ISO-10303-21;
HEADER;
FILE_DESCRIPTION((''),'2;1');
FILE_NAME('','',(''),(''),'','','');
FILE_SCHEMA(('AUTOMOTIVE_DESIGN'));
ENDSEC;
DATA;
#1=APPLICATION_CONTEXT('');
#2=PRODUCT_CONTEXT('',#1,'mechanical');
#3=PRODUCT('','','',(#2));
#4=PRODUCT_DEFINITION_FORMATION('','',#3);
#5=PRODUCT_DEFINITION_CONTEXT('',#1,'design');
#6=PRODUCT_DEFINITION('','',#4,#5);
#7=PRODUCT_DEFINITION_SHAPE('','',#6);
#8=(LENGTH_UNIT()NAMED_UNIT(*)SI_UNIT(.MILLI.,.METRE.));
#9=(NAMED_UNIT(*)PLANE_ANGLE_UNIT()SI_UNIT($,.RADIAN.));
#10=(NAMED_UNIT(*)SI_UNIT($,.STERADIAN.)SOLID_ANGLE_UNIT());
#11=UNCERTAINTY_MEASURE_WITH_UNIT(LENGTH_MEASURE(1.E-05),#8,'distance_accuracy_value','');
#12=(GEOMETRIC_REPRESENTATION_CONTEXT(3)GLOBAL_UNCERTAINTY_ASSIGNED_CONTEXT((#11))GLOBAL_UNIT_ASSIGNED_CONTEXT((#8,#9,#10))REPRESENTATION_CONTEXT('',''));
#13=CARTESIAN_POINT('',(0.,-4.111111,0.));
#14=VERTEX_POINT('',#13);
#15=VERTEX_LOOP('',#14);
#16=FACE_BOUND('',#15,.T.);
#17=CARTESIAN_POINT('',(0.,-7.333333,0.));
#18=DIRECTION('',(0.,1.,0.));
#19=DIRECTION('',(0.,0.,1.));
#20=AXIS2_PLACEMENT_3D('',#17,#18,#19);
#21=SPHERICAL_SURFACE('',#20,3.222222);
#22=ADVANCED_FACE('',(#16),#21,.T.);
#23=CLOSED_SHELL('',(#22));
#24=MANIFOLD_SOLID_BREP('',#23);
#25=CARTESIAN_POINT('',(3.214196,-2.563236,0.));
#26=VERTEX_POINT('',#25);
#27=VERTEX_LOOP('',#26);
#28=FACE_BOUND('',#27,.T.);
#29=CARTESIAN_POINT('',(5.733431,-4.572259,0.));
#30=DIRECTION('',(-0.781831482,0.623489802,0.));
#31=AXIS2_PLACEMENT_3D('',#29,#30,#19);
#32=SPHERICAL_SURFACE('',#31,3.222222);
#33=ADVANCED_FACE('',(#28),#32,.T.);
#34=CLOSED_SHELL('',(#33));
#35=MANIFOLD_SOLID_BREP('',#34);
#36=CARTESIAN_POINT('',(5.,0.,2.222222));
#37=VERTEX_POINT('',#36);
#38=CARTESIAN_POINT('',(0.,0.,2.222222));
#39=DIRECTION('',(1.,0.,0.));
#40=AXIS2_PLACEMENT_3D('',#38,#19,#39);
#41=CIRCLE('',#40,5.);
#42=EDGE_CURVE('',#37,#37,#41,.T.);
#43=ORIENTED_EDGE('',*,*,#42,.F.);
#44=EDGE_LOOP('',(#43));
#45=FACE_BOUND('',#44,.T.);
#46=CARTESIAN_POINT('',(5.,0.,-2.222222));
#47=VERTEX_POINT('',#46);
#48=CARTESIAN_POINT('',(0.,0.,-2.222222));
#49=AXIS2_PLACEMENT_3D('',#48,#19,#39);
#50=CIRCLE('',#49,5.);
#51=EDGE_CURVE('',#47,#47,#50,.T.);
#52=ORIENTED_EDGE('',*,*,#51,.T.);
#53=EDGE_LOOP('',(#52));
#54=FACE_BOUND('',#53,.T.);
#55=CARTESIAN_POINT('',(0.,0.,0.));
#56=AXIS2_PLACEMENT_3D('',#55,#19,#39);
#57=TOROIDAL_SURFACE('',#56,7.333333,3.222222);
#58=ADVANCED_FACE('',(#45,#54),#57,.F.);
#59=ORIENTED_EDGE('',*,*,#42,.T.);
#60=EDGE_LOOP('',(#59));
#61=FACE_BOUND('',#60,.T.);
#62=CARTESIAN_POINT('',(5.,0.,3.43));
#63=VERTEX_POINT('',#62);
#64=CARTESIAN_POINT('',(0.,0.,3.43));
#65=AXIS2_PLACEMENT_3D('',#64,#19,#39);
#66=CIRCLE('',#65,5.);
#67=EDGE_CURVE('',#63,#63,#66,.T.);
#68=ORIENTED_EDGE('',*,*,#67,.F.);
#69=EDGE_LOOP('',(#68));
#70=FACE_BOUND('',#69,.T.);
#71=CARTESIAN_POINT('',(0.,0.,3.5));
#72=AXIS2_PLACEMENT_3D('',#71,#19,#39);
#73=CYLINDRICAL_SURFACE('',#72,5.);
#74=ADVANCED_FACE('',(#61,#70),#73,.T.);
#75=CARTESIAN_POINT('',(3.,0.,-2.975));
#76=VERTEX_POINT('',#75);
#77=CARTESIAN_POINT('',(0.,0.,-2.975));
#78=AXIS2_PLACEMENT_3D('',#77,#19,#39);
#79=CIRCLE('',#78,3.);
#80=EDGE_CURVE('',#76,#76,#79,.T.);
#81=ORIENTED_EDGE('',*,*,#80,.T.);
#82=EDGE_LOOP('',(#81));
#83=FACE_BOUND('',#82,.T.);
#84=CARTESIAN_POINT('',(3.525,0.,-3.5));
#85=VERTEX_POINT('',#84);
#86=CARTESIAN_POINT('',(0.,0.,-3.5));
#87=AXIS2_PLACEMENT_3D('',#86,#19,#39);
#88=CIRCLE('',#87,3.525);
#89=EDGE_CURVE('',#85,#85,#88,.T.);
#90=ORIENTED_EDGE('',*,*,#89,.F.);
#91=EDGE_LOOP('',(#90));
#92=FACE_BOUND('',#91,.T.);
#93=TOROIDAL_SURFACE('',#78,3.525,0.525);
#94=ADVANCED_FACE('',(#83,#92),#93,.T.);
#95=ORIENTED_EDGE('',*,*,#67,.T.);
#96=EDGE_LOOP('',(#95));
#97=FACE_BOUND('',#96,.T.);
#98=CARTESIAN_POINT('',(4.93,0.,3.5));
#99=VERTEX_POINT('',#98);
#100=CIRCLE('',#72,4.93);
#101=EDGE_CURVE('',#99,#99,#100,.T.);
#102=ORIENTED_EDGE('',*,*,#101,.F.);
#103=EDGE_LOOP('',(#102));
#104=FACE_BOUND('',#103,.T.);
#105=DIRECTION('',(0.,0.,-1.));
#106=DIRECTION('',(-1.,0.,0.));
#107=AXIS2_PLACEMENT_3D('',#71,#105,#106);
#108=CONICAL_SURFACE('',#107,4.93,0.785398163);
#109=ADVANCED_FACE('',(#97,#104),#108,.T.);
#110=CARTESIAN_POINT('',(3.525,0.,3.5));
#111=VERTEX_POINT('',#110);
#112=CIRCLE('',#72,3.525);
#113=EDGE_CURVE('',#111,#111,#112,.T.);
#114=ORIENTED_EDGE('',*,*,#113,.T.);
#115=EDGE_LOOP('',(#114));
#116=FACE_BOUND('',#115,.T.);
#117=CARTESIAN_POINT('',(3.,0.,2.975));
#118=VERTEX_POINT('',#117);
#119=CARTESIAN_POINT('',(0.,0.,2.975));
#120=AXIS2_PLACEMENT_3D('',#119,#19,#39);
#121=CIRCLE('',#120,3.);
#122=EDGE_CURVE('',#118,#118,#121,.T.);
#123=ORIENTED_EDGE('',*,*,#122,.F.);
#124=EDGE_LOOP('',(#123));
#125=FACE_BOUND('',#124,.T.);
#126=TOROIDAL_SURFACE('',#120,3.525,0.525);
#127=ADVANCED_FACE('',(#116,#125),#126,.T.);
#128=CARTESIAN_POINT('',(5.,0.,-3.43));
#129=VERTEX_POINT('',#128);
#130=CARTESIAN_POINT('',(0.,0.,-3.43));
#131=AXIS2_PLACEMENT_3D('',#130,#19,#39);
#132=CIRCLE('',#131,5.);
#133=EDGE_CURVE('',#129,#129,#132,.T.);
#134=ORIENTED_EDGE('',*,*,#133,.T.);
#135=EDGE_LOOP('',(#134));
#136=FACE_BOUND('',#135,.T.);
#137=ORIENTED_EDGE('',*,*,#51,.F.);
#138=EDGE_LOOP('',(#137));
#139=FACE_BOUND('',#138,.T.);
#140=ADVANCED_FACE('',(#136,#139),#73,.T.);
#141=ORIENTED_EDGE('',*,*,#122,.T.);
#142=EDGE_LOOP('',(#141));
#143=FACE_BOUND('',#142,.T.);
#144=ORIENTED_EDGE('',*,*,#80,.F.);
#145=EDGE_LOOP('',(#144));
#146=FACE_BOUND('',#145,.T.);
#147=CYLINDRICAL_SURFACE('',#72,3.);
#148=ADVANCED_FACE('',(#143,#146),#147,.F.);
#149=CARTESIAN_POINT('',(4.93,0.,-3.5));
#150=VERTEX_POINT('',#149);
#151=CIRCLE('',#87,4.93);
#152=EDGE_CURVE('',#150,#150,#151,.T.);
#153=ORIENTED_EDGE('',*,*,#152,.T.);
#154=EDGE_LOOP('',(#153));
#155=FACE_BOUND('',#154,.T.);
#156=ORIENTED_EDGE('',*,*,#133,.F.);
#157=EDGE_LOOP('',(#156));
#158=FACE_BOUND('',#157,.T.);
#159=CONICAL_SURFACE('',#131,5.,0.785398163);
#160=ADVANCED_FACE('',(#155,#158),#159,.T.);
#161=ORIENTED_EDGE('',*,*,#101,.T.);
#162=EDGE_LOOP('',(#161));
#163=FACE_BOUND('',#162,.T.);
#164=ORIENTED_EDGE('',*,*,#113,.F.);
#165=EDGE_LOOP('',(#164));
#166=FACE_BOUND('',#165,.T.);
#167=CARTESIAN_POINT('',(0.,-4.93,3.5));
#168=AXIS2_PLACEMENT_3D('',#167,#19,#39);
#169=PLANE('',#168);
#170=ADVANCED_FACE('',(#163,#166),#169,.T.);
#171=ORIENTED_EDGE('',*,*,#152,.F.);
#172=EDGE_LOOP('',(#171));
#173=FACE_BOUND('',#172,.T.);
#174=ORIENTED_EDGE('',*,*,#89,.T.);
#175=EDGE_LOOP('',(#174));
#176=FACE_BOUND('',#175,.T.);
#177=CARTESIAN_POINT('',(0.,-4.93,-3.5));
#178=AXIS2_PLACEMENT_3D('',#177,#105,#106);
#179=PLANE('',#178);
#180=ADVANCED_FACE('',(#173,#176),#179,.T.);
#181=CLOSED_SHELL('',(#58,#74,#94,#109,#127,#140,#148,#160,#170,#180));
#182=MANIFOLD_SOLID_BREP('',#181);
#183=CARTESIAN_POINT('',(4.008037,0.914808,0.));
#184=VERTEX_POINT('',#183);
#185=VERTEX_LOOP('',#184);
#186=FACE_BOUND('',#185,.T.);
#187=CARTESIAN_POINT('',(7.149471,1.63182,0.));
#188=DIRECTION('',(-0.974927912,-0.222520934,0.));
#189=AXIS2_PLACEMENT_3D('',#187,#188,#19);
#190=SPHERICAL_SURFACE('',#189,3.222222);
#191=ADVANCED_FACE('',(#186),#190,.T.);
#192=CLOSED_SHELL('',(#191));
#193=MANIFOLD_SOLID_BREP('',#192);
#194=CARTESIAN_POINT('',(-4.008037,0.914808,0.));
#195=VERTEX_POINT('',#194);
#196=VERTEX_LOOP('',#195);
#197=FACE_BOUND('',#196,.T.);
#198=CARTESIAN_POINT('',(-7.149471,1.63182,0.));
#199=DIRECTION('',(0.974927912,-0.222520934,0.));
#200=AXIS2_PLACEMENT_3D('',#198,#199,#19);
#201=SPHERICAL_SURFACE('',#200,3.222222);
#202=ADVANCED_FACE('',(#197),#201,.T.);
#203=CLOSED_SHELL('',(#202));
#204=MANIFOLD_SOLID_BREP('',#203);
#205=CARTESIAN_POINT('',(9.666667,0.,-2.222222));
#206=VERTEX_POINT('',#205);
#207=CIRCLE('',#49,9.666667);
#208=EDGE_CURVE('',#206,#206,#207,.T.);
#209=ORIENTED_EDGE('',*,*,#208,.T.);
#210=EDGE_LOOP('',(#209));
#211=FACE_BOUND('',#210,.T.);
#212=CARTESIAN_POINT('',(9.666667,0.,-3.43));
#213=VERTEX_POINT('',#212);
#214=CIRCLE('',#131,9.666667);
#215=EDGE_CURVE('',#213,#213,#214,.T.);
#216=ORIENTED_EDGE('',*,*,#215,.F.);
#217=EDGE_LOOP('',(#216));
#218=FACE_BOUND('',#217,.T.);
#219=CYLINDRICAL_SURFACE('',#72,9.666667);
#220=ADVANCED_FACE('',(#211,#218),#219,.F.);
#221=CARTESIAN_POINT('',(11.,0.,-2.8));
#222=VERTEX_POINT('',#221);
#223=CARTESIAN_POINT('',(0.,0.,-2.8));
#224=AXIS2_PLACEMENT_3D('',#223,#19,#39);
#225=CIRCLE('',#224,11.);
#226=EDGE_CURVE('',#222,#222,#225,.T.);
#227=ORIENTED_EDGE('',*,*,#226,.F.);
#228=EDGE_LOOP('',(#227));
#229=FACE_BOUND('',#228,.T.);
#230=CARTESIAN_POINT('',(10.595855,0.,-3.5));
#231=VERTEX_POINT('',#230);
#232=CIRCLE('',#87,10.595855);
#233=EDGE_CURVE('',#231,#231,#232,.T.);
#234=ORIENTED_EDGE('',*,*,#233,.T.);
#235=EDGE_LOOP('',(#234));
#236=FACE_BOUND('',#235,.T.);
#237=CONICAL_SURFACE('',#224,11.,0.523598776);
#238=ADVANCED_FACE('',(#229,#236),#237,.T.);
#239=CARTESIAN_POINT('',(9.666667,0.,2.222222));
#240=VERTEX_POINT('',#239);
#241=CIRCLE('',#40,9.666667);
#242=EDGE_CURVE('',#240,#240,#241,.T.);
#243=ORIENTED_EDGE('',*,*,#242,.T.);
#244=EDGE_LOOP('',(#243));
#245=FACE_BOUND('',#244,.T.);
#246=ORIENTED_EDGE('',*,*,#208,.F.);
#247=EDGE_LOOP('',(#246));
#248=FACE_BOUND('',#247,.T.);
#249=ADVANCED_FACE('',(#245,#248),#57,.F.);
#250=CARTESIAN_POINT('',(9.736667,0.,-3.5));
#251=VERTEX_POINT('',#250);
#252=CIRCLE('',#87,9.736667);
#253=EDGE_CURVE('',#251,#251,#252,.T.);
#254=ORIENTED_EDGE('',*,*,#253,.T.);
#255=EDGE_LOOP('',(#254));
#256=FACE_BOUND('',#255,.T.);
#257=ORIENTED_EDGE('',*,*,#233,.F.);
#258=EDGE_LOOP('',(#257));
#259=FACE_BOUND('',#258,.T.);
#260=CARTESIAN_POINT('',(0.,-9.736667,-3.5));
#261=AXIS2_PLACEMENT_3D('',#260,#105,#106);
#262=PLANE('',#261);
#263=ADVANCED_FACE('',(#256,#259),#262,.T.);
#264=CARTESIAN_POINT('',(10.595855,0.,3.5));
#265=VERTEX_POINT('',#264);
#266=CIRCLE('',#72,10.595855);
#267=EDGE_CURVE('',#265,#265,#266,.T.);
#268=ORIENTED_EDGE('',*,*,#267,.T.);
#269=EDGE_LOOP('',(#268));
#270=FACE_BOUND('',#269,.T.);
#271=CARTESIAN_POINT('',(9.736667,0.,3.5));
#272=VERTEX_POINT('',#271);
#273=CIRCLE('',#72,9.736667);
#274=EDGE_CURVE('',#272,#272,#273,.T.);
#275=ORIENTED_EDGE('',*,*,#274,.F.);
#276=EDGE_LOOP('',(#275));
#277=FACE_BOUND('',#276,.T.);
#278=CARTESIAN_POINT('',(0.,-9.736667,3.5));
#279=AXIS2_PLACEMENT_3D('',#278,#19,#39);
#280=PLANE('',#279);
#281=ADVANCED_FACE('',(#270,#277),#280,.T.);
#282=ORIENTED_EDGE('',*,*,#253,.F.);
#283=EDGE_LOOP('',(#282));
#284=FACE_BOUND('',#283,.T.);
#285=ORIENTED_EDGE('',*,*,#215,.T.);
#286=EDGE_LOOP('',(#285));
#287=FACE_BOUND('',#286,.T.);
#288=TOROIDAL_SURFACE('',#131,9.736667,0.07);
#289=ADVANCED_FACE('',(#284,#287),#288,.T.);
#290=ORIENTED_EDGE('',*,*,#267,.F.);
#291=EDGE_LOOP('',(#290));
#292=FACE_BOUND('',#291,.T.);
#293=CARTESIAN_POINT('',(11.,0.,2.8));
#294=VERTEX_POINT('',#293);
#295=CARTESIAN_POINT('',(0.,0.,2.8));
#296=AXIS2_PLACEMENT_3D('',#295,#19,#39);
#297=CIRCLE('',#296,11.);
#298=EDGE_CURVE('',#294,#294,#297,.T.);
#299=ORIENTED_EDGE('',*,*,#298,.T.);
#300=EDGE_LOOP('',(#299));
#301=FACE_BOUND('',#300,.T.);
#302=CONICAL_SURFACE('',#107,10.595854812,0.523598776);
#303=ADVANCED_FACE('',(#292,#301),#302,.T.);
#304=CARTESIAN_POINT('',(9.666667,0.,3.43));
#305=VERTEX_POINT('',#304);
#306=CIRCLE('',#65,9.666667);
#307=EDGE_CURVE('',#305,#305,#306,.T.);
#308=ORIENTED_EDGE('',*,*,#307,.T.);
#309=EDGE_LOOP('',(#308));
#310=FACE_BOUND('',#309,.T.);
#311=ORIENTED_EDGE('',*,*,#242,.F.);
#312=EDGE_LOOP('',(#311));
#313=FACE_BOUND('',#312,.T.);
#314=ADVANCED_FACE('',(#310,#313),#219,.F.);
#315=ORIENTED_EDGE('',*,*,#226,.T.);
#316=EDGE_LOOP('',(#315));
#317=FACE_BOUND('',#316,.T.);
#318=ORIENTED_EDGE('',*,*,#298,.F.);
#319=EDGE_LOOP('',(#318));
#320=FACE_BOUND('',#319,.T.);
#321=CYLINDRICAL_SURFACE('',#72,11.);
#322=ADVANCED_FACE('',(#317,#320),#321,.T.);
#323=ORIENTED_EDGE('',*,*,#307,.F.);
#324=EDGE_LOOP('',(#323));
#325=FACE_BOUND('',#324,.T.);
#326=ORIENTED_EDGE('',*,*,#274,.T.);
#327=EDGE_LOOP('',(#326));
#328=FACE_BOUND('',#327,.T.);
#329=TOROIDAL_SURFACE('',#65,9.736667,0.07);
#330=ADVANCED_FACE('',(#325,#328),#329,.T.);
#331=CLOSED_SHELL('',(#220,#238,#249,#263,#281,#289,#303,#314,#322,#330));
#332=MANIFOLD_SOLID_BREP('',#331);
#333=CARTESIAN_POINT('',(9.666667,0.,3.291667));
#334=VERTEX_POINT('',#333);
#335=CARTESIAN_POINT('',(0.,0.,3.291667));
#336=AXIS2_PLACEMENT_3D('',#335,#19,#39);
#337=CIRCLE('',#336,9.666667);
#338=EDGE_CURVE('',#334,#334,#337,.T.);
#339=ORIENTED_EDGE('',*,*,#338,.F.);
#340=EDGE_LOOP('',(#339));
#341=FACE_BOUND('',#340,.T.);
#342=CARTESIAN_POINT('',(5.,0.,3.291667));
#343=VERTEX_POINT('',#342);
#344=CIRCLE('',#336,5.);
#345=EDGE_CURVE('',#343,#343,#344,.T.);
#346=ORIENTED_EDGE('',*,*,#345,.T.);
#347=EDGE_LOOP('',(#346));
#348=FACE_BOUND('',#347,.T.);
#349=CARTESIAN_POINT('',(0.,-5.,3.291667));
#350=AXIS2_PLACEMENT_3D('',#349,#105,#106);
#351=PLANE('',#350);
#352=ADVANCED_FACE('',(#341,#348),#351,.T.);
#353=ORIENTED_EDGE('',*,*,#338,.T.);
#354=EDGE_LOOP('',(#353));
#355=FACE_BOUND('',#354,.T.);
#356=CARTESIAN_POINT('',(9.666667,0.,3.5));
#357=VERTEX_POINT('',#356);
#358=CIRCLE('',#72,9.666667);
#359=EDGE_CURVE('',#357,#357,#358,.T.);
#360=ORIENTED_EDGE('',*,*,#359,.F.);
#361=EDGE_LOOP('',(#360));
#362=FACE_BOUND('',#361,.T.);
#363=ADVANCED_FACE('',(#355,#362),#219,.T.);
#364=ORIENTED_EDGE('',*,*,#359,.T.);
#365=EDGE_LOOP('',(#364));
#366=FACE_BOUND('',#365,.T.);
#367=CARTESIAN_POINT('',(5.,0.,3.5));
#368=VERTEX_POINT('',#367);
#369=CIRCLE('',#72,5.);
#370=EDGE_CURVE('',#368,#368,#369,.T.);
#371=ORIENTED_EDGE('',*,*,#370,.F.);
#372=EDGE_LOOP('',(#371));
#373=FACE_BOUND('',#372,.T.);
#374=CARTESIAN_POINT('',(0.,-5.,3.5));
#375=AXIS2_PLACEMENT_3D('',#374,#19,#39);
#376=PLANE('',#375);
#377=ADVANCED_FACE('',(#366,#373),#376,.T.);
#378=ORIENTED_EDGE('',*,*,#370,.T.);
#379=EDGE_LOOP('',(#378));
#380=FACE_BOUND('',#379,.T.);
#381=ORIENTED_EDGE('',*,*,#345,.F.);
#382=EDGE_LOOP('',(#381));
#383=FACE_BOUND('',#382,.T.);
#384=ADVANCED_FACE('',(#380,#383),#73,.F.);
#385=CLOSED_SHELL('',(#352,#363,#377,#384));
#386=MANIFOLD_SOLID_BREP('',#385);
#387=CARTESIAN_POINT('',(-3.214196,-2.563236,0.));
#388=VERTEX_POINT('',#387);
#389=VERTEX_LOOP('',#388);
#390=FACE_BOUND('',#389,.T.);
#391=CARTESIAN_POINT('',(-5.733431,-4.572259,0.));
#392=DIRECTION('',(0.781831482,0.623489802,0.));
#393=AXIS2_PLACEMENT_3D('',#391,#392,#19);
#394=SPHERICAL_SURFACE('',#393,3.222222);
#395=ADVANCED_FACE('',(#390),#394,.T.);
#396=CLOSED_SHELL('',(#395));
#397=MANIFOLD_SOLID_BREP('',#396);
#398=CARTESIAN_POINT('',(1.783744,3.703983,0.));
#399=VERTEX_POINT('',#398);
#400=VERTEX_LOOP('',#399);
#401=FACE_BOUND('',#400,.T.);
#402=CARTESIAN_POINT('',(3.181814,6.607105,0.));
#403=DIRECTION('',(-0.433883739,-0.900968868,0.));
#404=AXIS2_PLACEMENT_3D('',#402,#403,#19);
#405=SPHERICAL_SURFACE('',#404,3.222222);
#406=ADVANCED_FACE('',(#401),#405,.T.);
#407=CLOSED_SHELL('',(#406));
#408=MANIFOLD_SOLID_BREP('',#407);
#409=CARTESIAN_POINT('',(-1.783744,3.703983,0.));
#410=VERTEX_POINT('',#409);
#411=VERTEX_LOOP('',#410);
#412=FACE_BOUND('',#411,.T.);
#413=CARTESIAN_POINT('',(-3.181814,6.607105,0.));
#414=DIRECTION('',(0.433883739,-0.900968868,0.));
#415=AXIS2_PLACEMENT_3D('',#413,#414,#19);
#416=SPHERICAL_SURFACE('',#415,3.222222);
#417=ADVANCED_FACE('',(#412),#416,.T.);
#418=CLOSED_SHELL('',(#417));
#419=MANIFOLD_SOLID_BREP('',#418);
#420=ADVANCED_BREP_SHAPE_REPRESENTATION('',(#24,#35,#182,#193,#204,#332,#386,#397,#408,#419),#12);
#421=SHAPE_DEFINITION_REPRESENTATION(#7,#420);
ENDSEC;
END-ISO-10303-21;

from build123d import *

# Parameters (mm, degrees)
SKETCH4_W         = 0.208333333
SKETCH4_H         = 4.666666667
CIRPATTERN1_COUNT = 7


with BuildPart() as part:
    # Sketch3 → Revolve1 (revolve)
    with BuildSketch(Plane(origin=(0, 0, 0), x_dir=(0, 0, -1), z_dir=(1, 0, 0)), mode=Mode.PRIVATE) as revolve1_sk:
        with BuildLine():
            Line((-2.8, -11), (2.8, -11))
            Line((2.8, -11), (3.5, -10.595854812))
            Line((3.5, -10.595854812), (3.5, -9.736666667))
            ThreePointArc((3.5, -9.736666667), (3.479497475, -9.687169192), (3.43, -9.666666667))
            Line((3.43, -9.666666667), (2.222222222, -9.666666667))
            ThreePointArc((2.222222222, -9.666666667), (0, -10.555555556), (-2.222222222, -9.666666667))
            Line((-2.222222222, -9.666666667), (-3.43, -9.666666667))
            ThreePointArc((-3.43, -9.666666667), (-3.479497475, -9.687169192), (-3.5, -9.736666667))
            Line((-3.5, -9.736666667), (-3.5, -10.595854812))
            Line((-3.5, -10.595854812), (-2.8, -11))
        make_face()
        with BuildLine():
            Line((-2.975, -3), (2.975, -3))
            ThreePointArc((2.975, -3), (3.34623106, -3.15376894), (3.5, -3.525))
            Line((3.5, -3.525), (3.5, -4.93))
            Line((3.5, -4.93), (3.43, -5))
            Line((3.43, -5), (2.222222222, -5))
            ThreePointArc((2.222222222, -5), (0, -4.111111111), (-2.222222222, -5))
            Line((-2.222222222, -5), (-3.43, -5))
            Line((-3.43, -5), (-3.5, -4.93))
            Line((-3.5, -4.93), (-3.5, -3.525))
            ThreePointArc((-3.5, -3.525), (-3.34623106, -3.15376894), (-2.975, -3))
        make_face()
    revolve(revolve1_sk.sketch.rotate(Axis((0, 0, 3.5), (0, 0, -1)), 270), axis=Axis((0, 0, 3.5), (0, 0, -1)))


with BuildPart() as body_2:
    # Sketch4 → Revolve2 (revolve)
    with BuildSketch(Plane(origin=(0, 0, 0), x_dir=(0, 0, -1), z_dir=(1, 0, 0)), mode=Mode.PRIVATE) as revolve2_sk:
        with Locations((-3.395833334, -7.333333334)):
            Rectangle(SKETCH4_W, SKETCH4_H)
    revolve(revolve2_sk.sketch.rotate(Axis((0, 0, 3.5), (0, 0, -1)), 270), axis=Axis((0, 0, 3.5), (0, 0, -1)))


with BuildPart() as body_3:
    # Sketch5 → Revolve3 (revolve)
    with BuildSketch(Plane(origin=(0, 0, 0), x_dir=(0, 0, -1), z_dir=(1, 0, 0))):
        with BuildLine():
            Line((0, -4.111111111), (0, -10.555555556))
            ThreePointArc((0, -10.555555556), (-3.222222222, -7.333333333), (0, -4.111111111))
        make_face()
    revolve(axis=Axis((0, 0, 0), (0, -1, 0)))


with BuildPart() as cirpattern1_1:
    # CirPattern1: pattern copy
    add(body_3.part.rotate(Axis((0, 0, 0), (0, 0, 1)), 1 * 360 / CIRPATTERN1_COUNT))


with BuildPart() as cirpattern1_2:
    # CirPattern1: pattern copy
    add(body_3.part.rotate(Axis((0, 0, 0), (0, 0, 1)), 2 * 360 / CIRPATTERN1_COUNT))


with BuildPart() as cirpattern1_3:
    # CirPattern1: pattern copy
    add(body_3.part.rotate(Axis((0, 0, 0), (0, 0, 1)), 3 * 360 / CIRPATTERN1_COUNT))


with BuildPart() as cirpattern1_4:
    # CirPattern1: pattern copy
    add(body_3.part.rotate(Axis((0, 0, 0), (0, 0, 1)), 4 * 360 / CIRPATTERN1_COUNT))


with BuildPart() as cirpattern1_5:
    # CirPattern1: pattern copy
    add(body_3.part.rotate(Axis((0, 0, 0), (0, 0, 1)), 5 * 360 / CIRPATTERN1_COUNT))


with BuildPart() as cirpattern1_6:
    # CirPattern1: pattern copy
    add(body_3.part.rotate(Axis((0, 0, 0), (0, 0, 1)), 6 * 360 / CIRPATTERN1_COUNT))


solid = Compound([part.part, body_2.part, body_3.part, cirpattern1_1.part, cirpattern1_2.part, cirpattern1_3.part, cirpattern1_4.part, cirpattern1_5.part, cirpattern1_6.part])
